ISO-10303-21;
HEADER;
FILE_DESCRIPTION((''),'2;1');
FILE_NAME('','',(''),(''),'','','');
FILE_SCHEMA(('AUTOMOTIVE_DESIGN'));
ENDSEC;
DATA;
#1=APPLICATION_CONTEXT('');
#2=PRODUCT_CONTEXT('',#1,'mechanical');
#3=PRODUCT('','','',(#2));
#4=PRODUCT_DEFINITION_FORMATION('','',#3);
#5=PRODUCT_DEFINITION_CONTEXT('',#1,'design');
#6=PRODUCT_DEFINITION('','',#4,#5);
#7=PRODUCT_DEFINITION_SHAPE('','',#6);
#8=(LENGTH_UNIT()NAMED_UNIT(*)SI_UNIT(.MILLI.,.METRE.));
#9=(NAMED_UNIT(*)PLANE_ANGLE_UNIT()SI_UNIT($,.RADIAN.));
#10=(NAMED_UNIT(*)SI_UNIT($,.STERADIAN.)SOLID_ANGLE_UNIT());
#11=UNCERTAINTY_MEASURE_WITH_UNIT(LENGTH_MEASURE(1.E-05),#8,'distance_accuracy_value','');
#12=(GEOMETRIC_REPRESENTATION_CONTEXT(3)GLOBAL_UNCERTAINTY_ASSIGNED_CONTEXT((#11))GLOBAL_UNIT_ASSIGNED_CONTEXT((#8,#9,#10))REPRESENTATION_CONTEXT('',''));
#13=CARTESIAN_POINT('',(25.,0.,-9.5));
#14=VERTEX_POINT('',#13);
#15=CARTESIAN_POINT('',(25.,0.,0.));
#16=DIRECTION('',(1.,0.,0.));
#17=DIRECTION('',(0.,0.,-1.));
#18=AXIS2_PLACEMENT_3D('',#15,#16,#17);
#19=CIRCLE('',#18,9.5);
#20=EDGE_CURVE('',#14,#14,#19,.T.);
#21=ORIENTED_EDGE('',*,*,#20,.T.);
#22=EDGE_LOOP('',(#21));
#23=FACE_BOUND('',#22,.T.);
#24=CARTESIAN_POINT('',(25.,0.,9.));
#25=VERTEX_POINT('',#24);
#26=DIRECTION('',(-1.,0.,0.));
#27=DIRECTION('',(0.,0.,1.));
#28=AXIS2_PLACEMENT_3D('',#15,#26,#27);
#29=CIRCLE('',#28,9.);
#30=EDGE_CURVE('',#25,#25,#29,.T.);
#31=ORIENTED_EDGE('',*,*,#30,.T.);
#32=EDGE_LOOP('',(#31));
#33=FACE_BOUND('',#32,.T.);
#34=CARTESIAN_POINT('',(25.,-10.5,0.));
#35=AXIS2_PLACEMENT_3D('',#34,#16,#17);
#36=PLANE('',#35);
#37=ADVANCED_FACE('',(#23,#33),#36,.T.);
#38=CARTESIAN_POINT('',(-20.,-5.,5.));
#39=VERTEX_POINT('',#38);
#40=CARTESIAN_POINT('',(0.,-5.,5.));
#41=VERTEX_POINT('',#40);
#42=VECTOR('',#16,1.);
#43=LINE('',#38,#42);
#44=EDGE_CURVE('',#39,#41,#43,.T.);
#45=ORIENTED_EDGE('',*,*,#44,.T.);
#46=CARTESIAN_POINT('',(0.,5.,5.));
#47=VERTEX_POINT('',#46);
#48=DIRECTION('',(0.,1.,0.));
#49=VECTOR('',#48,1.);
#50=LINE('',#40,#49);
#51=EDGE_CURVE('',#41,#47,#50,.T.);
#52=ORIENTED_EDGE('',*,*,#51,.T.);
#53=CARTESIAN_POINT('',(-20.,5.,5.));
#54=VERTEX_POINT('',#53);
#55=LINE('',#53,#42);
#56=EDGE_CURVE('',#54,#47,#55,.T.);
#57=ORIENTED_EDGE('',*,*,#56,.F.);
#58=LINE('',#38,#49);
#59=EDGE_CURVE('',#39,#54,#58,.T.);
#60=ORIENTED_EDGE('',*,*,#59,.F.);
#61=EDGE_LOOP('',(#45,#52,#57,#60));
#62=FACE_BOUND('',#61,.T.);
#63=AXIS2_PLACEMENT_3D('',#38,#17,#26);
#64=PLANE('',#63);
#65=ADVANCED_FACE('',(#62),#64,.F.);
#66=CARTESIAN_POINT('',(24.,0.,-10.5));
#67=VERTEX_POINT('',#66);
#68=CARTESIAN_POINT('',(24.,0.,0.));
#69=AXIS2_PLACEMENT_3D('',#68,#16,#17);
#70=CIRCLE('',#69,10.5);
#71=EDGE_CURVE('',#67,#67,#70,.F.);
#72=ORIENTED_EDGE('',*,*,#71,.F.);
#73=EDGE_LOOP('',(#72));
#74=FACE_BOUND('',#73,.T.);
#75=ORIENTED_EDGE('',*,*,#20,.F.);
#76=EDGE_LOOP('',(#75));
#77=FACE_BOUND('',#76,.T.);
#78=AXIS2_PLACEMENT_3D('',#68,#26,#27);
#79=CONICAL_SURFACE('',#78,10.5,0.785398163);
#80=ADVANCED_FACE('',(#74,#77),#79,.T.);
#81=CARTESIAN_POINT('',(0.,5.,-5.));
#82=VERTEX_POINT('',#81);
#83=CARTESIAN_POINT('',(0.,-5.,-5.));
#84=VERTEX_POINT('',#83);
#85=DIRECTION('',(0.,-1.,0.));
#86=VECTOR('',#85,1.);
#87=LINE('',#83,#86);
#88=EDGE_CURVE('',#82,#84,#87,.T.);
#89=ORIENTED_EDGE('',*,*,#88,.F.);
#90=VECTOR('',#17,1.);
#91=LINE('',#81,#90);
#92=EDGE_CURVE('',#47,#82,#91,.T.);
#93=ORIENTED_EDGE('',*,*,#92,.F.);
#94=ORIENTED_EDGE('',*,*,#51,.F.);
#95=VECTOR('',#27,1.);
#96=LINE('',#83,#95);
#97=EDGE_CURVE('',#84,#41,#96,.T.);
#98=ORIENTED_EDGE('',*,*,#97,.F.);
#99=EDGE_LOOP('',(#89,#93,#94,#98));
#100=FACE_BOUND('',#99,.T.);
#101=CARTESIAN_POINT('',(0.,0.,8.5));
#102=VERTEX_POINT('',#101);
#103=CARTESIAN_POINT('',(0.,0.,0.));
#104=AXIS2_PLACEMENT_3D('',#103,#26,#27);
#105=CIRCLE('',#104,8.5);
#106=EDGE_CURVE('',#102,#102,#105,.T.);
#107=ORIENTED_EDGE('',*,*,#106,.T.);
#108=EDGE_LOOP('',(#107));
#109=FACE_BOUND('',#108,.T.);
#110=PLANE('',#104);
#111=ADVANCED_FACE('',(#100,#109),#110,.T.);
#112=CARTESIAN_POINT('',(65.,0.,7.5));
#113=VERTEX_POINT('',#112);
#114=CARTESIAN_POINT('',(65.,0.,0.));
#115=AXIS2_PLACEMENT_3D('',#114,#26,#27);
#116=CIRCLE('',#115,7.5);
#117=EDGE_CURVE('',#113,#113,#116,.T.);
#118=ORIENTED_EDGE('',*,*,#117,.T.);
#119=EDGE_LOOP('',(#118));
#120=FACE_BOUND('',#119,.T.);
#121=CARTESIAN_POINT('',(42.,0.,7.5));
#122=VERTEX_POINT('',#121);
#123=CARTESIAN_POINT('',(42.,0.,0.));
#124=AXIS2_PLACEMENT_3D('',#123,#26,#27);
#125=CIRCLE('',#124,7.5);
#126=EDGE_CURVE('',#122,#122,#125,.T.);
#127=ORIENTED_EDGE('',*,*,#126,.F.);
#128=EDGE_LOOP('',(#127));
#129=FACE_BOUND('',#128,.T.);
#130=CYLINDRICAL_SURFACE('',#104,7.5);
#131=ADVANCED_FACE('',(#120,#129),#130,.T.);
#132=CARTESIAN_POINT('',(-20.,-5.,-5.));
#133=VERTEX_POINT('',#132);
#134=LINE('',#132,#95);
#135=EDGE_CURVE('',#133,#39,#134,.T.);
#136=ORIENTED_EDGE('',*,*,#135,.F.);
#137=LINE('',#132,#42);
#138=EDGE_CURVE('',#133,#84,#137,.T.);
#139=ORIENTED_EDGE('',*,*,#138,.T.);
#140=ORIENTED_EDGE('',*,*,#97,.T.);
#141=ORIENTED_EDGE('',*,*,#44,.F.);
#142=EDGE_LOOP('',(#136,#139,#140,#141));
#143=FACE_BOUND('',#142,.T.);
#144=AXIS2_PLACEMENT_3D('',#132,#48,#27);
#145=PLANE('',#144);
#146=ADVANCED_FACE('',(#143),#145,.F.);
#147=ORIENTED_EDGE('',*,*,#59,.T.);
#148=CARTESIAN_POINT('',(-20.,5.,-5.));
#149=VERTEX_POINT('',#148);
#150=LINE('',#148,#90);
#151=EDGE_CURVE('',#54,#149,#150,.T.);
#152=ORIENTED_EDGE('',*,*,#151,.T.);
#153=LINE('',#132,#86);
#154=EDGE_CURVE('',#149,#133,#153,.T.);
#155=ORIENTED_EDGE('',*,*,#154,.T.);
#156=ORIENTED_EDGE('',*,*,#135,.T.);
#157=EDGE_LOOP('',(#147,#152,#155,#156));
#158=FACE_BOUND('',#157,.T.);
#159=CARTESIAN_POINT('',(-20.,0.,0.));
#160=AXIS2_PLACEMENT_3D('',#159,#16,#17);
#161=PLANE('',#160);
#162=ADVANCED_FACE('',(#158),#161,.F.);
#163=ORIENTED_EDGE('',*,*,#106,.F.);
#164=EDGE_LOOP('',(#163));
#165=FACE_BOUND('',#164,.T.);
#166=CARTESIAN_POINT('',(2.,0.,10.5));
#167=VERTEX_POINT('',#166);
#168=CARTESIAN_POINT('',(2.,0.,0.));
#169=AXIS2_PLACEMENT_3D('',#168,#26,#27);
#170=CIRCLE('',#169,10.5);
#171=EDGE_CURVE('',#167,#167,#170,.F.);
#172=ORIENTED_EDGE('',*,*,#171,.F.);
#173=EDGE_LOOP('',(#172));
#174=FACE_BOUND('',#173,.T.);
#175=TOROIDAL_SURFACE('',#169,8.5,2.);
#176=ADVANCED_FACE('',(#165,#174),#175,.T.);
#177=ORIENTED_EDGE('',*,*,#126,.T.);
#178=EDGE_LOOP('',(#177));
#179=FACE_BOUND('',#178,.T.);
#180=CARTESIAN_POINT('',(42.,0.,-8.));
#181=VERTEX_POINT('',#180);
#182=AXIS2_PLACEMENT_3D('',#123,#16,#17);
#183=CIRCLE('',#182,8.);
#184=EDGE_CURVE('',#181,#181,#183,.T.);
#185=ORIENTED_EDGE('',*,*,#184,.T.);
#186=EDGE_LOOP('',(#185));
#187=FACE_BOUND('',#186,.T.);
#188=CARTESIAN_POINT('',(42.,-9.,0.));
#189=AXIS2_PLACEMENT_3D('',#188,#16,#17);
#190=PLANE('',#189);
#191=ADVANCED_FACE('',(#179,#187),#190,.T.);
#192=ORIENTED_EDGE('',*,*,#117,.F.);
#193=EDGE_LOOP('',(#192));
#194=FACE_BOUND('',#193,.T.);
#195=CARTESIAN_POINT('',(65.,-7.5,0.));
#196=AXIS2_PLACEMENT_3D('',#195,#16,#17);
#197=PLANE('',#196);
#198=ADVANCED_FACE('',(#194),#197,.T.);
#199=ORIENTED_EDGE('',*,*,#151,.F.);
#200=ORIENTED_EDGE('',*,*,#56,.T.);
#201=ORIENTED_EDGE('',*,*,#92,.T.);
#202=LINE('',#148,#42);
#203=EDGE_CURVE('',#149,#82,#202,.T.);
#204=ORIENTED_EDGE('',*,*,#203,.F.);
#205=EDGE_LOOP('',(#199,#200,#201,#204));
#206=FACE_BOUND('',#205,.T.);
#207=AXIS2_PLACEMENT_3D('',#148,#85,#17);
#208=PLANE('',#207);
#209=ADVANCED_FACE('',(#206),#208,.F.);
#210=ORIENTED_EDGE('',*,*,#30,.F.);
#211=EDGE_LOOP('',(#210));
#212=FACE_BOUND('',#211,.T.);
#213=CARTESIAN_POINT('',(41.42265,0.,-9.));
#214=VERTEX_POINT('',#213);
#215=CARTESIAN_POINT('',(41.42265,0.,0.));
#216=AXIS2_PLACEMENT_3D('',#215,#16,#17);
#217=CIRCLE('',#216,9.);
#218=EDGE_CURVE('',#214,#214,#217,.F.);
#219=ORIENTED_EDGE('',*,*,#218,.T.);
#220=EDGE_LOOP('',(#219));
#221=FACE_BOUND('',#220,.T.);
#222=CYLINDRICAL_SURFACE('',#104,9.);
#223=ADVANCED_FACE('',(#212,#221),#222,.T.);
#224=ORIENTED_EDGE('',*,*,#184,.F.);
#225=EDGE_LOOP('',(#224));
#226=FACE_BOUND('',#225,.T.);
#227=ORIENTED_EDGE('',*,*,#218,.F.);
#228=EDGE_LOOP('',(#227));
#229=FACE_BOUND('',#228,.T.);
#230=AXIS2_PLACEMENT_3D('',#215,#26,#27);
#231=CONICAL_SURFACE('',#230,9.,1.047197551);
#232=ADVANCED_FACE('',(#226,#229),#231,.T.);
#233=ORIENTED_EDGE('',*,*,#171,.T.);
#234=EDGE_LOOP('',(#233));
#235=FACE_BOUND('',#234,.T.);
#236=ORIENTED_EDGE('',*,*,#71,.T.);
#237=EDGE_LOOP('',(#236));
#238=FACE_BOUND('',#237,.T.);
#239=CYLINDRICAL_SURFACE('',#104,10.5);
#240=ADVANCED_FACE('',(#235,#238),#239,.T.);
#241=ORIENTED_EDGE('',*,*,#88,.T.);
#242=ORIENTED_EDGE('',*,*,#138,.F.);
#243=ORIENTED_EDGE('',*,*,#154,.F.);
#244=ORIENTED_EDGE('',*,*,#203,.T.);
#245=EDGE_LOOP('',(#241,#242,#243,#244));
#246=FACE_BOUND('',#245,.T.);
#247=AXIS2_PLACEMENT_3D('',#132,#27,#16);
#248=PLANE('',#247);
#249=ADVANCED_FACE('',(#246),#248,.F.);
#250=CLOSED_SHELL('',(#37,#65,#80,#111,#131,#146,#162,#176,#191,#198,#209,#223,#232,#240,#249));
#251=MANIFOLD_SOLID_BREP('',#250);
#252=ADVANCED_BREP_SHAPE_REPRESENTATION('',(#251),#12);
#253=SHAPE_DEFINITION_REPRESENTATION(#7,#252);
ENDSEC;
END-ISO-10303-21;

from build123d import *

# Parameters (mm, degrees)
SKETCH_2_W      = 10
SKETCH_2_H      = 10
EXTRUDE_1_DEPTH = 20
FILLET_1_R      = 2
CHAMFER_1_SIZE  = 1
CHAMFER_2_SIZE  = 1
CHAMFER_2_SIZE2 = 0.577350269


with BuildPart() as part:
    # Эскиз1 → Повернуть1 (revolve)
    with BuildSketch(Plane.XY, mode=Mode.PRIVATE) as revolve_1_sk:
        Polygon((0, 0), (0, -10.5), (25, -10.5), (25, -9), (42, -9), (42, -7.5), (65, -7.5), (65, 0), align=None)
    revolve(revolve_1_sk.sketch.rotate(Axis((0, 0, 0), (1, 0, 0)), 270), axis=Axis((0, 0, 0), (1, 0, 0)))

    # Эскиз2 → Бобышка-Вытянуть1 (add)
    with BuildSketch(Plane.ZY):
        Rectangle(SKETCH_2_W, SKETCH_2_H)
    extrude(amount=EXTRUDE_1_DEPTH)

    # Скругление1
    fillet_1_edges = [part.edges().sort_by_distance(p)[0] for p in [
        (0, 0, -10.5),
    ]]
    fillet(fillet_1_edges, radius=FILLET_1_R)

    # Фаска1
    chamfer_1_edges = [part.edges().sort_by_distance(p)[0] for p in [
        (25, 0, -10.5),
    ]]
    chamfer(chamfer_1_edges, length=CHAMFER_1_SIZE)

    # Фаска2
    chamfer_2_edges = [part.edges().sort_by_distance(p)[0] for p in [
        (42, 0, -9),
    ]]
    chamfer_2_side = [part.faces().sort_by_distance(p)[0] for p in [
        (42, 0, -8.745441559),
    ]]
    chamfer(chamfer_2_edges, length=CHAMFER_2_SIZE, length2=CHAMFER_2_SIZE2, reference=chamfer_2_side[0])


solid = part.part
